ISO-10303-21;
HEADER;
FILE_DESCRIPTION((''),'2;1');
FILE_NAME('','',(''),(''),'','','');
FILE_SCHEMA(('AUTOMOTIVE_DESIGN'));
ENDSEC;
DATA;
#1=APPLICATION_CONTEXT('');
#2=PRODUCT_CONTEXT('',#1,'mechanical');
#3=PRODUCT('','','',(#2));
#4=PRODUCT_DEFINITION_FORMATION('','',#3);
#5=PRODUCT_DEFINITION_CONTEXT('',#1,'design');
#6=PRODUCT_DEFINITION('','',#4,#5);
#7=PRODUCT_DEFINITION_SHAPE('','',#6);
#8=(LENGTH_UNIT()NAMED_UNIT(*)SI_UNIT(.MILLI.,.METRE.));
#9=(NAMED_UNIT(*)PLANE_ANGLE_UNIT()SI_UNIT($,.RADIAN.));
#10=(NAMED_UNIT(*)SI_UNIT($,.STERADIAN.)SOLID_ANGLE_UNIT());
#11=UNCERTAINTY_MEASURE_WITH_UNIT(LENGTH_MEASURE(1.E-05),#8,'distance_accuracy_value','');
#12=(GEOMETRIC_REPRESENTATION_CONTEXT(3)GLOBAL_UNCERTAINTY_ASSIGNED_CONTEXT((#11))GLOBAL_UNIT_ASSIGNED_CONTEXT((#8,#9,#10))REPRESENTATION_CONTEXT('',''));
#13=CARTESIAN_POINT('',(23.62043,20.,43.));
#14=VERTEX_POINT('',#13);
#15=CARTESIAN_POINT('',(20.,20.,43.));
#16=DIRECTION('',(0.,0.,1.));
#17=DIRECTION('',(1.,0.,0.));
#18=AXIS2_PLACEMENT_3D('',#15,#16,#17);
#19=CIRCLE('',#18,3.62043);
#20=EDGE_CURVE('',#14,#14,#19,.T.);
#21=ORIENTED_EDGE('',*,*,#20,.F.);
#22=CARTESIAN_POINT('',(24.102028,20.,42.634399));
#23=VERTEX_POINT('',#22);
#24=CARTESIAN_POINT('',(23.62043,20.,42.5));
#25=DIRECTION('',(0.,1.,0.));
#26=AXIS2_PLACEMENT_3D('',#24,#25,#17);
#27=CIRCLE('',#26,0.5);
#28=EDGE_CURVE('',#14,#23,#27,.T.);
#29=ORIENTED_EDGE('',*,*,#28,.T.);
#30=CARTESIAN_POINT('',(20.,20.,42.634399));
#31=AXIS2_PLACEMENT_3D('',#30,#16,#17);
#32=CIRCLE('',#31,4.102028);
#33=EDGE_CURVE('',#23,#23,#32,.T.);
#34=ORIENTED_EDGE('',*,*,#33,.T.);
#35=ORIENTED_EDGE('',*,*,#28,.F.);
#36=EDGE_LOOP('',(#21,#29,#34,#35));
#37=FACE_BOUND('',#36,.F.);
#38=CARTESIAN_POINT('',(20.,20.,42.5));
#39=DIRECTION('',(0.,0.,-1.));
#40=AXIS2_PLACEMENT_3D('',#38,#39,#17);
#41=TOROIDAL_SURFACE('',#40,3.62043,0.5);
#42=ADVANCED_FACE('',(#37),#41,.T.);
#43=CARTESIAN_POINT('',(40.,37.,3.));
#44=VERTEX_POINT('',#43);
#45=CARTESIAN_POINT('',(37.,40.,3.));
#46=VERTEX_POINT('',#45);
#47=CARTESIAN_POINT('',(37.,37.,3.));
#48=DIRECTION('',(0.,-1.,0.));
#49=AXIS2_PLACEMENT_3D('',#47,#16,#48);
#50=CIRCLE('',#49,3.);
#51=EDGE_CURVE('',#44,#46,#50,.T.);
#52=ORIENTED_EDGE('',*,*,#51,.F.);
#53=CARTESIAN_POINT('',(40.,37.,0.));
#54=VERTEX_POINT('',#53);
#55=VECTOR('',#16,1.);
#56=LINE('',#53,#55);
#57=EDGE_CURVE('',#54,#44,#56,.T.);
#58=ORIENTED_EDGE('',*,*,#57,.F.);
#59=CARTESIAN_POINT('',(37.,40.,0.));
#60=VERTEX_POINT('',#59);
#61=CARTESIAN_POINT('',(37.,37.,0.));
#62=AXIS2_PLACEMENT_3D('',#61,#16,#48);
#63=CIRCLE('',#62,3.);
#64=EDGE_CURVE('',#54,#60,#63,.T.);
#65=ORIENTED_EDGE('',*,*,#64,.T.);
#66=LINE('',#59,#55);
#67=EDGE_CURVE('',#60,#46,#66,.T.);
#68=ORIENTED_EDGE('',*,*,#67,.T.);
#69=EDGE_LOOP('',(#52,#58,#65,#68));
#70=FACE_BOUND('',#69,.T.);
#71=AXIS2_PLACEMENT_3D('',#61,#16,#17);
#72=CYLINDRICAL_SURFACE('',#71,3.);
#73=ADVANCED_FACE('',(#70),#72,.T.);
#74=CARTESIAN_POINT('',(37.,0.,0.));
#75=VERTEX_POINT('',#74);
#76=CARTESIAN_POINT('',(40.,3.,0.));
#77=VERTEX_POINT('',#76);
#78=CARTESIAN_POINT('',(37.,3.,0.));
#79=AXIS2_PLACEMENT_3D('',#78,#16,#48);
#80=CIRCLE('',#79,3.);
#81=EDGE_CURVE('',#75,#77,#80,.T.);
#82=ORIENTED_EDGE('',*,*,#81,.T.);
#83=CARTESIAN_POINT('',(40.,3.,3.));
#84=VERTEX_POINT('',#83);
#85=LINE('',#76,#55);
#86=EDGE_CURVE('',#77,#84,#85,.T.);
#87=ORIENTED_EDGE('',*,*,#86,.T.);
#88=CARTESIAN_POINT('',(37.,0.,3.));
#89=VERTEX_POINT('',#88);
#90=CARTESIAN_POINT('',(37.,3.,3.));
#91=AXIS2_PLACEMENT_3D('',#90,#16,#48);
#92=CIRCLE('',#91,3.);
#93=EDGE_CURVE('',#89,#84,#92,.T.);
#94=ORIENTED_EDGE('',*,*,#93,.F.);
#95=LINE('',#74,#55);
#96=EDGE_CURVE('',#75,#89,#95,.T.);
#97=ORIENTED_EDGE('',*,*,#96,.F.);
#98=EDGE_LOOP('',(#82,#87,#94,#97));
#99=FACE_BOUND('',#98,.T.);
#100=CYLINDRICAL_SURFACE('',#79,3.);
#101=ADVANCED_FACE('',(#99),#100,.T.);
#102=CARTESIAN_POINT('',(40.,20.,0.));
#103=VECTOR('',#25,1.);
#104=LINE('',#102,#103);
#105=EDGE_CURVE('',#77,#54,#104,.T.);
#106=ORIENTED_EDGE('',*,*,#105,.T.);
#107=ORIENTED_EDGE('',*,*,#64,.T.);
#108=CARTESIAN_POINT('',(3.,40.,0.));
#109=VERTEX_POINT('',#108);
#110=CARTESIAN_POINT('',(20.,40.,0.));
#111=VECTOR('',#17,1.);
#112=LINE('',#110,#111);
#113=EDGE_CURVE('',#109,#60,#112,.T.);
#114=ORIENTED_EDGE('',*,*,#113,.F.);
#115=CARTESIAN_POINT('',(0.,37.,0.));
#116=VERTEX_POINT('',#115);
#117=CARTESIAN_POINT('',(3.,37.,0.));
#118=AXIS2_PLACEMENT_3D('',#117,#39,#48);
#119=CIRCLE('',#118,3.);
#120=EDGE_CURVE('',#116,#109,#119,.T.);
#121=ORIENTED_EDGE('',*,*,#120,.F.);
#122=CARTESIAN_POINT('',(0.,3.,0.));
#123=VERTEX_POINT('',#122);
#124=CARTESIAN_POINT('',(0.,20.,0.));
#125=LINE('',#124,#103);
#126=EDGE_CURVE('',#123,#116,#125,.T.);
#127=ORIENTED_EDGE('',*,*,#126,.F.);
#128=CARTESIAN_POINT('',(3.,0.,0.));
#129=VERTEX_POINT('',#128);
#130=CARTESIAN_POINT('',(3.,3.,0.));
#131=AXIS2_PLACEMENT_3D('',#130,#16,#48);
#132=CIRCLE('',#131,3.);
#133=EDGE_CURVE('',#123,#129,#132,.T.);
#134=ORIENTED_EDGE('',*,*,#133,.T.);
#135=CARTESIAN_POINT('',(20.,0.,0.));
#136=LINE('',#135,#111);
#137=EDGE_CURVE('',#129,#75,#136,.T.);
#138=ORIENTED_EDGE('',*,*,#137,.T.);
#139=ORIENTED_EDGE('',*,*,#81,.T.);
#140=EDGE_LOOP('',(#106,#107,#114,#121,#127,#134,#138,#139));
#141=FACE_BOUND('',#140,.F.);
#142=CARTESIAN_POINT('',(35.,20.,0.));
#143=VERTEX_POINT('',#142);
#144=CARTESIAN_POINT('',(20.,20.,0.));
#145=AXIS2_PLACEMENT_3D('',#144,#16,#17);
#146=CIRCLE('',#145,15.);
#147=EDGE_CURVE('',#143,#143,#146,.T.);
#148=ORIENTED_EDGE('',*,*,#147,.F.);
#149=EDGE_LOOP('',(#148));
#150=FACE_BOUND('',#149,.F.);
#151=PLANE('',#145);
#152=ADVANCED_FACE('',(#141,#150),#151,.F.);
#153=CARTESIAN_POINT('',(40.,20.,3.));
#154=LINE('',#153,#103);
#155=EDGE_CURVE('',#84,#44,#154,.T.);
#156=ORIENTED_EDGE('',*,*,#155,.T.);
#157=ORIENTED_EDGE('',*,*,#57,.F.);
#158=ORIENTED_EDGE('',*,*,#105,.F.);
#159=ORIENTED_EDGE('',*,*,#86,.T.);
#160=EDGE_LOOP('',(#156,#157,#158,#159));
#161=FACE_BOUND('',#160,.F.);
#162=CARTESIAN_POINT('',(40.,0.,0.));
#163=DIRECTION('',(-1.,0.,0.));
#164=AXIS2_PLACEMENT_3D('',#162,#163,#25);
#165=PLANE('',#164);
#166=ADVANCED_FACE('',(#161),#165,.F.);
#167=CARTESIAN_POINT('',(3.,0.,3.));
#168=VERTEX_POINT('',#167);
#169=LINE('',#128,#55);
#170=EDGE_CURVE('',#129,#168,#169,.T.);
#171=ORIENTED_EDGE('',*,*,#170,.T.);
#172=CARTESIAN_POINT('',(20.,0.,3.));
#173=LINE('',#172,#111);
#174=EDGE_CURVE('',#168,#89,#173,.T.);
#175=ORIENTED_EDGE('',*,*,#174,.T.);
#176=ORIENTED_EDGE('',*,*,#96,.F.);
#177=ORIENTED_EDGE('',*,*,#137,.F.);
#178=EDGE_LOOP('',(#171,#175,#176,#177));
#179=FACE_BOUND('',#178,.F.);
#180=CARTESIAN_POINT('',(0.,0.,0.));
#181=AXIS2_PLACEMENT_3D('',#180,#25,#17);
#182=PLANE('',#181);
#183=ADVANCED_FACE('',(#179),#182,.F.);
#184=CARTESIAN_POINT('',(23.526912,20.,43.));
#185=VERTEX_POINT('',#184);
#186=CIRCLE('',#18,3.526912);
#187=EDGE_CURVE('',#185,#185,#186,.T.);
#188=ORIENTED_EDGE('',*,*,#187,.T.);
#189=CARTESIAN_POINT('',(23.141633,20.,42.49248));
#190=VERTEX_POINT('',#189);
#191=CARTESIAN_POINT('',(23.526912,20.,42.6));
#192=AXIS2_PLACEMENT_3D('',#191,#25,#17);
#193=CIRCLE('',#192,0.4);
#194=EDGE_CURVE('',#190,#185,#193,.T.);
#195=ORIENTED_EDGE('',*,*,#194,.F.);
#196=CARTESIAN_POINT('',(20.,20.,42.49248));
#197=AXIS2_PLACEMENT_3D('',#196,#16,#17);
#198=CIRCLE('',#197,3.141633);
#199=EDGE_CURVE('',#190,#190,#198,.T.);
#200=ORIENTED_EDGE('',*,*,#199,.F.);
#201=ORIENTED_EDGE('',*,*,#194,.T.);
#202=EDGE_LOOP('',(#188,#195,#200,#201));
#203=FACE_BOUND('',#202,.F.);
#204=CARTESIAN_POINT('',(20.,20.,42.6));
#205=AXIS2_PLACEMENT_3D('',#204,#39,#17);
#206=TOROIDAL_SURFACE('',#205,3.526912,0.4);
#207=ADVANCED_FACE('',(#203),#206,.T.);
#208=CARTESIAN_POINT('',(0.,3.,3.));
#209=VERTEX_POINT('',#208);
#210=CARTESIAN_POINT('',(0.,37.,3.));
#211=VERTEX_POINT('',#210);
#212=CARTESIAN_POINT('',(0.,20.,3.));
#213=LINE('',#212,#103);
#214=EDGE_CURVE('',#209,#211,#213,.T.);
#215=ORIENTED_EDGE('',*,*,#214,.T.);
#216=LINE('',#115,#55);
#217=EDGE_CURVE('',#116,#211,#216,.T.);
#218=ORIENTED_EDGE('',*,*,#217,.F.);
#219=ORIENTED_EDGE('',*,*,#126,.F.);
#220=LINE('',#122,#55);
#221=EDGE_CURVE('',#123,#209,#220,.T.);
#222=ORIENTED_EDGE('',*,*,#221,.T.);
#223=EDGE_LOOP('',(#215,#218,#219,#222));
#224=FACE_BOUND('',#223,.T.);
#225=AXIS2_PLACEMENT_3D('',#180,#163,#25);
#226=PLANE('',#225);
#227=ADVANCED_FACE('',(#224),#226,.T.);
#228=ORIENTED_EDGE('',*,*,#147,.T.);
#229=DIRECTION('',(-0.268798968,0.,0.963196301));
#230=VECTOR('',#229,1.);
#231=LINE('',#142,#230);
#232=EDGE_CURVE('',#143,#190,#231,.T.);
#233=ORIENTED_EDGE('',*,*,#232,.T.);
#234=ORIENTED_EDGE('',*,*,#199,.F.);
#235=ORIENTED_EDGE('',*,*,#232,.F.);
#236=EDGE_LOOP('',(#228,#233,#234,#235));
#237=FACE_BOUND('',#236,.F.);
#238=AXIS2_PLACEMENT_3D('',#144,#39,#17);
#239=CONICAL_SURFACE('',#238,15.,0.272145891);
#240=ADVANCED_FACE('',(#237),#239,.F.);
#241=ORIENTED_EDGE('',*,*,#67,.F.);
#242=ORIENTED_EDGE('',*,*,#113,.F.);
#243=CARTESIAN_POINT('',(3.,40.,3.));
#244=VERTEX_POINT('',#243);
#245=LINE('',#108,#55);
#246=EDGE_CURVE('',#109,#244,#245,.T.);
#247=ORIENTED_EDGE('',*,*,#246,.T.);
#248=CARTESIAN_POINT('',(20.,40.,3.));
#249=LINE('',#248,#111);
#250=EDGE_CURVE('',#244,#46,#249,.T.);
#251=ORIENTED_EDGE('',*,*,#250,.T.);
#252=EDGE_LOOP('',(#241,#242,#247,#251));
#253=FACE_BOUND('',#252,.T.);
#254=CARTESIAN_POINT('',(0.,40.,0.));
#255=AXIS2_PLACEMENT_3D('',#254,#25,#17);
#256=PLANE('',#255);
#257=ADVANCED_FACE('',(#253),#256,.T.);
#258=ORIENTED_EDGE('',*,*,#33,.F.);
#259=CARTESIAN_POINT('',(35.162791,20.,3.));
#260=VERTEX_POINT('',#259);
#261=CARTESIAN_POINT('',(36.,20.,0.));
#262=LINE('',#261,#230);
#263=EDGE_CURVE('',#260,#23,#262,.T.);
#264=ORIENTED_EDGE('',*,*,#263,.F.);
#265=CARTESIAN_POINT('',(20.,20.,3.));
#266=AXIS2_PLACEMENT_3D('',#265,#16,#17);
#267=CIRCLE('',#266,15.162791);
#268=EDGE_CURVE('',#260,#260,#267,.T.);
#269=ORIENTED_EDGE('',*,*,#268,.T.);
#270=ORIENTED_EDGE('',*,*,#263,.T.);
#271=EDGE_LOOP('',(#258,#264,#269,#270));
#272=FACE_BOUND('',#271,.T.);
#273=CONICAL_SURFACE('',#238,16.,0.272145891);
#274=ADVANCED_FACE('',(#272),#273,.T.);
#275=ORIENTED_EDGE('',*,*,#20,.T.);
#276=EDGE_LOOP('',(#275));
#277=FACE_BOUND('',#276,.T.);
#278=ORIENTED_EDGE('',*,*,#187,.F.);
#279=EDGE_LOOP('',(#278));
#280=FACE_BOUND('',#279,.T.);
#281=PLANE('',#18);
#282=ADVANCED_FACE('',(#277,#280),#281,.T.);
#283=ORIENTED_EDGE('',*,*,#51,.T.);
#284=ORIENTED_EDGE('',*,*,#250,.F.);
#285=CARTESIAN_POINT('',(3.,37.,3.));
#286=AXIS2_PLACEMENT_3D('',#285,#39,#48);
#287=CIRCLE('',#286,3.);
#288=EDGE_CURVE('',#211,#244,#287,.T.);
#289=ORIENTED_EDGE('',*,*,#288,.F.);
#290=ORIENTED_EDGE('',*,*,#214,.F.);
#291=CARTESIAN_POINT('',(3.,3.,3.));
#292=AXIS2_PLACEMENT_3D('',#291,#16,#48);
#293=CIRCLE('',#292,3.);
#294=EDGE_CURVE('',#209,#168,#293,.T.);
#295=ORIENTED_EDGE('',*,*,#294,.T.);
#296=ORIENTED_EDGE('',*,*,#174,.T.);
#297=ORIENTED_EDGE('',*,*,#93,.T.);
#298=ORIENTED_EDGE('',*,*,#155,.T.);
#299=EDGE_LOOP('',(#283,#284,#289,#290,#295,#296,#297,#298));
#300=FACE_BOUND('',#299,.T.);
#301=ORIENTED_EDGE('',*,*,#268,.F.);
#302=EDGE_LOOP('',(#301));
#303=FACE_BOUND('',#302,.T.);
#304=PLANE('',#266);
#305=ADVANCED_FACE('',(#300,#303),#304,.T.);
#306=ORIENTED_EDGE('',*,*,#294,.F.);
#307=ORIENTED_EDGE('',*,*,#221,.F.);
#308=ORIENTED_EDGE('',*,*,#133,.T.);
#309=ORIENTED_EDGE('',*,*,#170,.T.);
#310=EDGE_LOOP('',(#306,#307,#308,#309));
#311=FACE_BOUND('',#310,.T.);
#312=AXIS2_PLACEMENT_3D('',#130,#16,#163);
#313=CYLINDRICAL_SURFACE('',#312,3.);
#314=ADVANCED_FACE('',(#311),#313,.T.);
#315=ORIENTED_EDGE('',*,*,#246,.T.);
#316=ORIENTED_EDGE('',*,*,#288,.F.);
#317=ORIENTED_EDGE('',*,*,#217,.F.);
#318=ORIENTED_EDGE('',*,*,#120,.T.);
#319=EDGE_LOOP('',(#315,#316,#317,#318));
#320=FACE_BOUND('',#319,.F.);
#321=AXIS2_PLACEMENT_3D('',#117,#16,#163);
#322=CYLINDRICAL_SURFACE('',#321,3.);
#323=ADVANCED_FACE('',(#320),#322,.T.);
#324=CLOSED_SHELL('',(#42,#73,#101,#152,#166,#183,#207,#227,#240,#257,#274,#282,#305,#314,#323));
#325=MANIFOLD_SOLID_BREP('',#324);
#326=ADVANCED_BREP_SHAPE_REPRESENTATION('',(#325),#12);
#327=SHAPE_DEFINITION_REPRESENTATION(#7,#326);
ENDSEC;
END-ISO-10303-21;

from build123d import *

# Parameters (mm, degrees)
FILLET001_R = 0.4
FILLET002_R = 0.5
BOX_W       = 40
BOX_H       = 40
BOX_DEPTH   = 3
FILLET_R    = 3


with BuildPart() as cono_interior:
    # Cone001 → Cone001 (revolve)
    with BuildSketch(Plane(origin=(20, 20, 0), x_dir=(1, 0, 0), z_dir=(0, -1, 0))):
        Polygon((0, 0), (15, 0), (3, 43), (0, 43), align=None)
    revolve(axis=Axis((20, 20, 0), (0, 0, 1)))


with BuildPart() as cono_redondeado:
    # Cone → Cone (revolve)
    with BuildSketch(Plane(origin=(20, 20, 0), x_dir=(1, 0, 0), z_dir=(0, -1, 0))):
        Polygon((0, 0), (16, 0), (4, 43), (0, 43), align=None)
    revolve(axis=Axis((20, 20, 0), (0, 0, 1)))

    # Cut: cut cono_interior
    add(cono_interior.part, mode=Mode.SUBTRACT)

    # Fillet001
    fillet001_edges = [cono_redondeado.edges().sort_by_distance(p)[0] for p in [
        (17, 20, 43),
    ]]
    fillet(fillet001_edges, radius=FILLET001_R)

    # Fillet002
    fillet002_edges = [cono_redondeado.edges().sort_by_distance(p)[0] for p in [
        (16, 20, 43),
    ]]
    fillet(fillet002_edges, radius=FILLET002_R)


with BuildPart() as cono_final:
    # Box → Box (new body)
    with BuildSketch(Plane.XY):
        with Locations((20, 20)):
            Rectangle(BOX_W, BOX_H)
    extrude(amount=BOX_DEPTH)

    # Fillet
    fillet_edges = [cono_final.edges().sort_by_distance(p)[0] for p in [
        (0, 0, 1.5),
        (0, 40, 1.5),
        (40, 0, 1.5),
        (40, 40, 1.5),
    ]]
    fillet(fillet_edges, radius=FILLET_R)

    # Cut001: cut cono_interior
    add(cono_interior.part, mode=Mode.SUBTRACT)

    # Fusion: union cono_redondeado
    add(cono_redondeado.part)


solid = cono_final.part
